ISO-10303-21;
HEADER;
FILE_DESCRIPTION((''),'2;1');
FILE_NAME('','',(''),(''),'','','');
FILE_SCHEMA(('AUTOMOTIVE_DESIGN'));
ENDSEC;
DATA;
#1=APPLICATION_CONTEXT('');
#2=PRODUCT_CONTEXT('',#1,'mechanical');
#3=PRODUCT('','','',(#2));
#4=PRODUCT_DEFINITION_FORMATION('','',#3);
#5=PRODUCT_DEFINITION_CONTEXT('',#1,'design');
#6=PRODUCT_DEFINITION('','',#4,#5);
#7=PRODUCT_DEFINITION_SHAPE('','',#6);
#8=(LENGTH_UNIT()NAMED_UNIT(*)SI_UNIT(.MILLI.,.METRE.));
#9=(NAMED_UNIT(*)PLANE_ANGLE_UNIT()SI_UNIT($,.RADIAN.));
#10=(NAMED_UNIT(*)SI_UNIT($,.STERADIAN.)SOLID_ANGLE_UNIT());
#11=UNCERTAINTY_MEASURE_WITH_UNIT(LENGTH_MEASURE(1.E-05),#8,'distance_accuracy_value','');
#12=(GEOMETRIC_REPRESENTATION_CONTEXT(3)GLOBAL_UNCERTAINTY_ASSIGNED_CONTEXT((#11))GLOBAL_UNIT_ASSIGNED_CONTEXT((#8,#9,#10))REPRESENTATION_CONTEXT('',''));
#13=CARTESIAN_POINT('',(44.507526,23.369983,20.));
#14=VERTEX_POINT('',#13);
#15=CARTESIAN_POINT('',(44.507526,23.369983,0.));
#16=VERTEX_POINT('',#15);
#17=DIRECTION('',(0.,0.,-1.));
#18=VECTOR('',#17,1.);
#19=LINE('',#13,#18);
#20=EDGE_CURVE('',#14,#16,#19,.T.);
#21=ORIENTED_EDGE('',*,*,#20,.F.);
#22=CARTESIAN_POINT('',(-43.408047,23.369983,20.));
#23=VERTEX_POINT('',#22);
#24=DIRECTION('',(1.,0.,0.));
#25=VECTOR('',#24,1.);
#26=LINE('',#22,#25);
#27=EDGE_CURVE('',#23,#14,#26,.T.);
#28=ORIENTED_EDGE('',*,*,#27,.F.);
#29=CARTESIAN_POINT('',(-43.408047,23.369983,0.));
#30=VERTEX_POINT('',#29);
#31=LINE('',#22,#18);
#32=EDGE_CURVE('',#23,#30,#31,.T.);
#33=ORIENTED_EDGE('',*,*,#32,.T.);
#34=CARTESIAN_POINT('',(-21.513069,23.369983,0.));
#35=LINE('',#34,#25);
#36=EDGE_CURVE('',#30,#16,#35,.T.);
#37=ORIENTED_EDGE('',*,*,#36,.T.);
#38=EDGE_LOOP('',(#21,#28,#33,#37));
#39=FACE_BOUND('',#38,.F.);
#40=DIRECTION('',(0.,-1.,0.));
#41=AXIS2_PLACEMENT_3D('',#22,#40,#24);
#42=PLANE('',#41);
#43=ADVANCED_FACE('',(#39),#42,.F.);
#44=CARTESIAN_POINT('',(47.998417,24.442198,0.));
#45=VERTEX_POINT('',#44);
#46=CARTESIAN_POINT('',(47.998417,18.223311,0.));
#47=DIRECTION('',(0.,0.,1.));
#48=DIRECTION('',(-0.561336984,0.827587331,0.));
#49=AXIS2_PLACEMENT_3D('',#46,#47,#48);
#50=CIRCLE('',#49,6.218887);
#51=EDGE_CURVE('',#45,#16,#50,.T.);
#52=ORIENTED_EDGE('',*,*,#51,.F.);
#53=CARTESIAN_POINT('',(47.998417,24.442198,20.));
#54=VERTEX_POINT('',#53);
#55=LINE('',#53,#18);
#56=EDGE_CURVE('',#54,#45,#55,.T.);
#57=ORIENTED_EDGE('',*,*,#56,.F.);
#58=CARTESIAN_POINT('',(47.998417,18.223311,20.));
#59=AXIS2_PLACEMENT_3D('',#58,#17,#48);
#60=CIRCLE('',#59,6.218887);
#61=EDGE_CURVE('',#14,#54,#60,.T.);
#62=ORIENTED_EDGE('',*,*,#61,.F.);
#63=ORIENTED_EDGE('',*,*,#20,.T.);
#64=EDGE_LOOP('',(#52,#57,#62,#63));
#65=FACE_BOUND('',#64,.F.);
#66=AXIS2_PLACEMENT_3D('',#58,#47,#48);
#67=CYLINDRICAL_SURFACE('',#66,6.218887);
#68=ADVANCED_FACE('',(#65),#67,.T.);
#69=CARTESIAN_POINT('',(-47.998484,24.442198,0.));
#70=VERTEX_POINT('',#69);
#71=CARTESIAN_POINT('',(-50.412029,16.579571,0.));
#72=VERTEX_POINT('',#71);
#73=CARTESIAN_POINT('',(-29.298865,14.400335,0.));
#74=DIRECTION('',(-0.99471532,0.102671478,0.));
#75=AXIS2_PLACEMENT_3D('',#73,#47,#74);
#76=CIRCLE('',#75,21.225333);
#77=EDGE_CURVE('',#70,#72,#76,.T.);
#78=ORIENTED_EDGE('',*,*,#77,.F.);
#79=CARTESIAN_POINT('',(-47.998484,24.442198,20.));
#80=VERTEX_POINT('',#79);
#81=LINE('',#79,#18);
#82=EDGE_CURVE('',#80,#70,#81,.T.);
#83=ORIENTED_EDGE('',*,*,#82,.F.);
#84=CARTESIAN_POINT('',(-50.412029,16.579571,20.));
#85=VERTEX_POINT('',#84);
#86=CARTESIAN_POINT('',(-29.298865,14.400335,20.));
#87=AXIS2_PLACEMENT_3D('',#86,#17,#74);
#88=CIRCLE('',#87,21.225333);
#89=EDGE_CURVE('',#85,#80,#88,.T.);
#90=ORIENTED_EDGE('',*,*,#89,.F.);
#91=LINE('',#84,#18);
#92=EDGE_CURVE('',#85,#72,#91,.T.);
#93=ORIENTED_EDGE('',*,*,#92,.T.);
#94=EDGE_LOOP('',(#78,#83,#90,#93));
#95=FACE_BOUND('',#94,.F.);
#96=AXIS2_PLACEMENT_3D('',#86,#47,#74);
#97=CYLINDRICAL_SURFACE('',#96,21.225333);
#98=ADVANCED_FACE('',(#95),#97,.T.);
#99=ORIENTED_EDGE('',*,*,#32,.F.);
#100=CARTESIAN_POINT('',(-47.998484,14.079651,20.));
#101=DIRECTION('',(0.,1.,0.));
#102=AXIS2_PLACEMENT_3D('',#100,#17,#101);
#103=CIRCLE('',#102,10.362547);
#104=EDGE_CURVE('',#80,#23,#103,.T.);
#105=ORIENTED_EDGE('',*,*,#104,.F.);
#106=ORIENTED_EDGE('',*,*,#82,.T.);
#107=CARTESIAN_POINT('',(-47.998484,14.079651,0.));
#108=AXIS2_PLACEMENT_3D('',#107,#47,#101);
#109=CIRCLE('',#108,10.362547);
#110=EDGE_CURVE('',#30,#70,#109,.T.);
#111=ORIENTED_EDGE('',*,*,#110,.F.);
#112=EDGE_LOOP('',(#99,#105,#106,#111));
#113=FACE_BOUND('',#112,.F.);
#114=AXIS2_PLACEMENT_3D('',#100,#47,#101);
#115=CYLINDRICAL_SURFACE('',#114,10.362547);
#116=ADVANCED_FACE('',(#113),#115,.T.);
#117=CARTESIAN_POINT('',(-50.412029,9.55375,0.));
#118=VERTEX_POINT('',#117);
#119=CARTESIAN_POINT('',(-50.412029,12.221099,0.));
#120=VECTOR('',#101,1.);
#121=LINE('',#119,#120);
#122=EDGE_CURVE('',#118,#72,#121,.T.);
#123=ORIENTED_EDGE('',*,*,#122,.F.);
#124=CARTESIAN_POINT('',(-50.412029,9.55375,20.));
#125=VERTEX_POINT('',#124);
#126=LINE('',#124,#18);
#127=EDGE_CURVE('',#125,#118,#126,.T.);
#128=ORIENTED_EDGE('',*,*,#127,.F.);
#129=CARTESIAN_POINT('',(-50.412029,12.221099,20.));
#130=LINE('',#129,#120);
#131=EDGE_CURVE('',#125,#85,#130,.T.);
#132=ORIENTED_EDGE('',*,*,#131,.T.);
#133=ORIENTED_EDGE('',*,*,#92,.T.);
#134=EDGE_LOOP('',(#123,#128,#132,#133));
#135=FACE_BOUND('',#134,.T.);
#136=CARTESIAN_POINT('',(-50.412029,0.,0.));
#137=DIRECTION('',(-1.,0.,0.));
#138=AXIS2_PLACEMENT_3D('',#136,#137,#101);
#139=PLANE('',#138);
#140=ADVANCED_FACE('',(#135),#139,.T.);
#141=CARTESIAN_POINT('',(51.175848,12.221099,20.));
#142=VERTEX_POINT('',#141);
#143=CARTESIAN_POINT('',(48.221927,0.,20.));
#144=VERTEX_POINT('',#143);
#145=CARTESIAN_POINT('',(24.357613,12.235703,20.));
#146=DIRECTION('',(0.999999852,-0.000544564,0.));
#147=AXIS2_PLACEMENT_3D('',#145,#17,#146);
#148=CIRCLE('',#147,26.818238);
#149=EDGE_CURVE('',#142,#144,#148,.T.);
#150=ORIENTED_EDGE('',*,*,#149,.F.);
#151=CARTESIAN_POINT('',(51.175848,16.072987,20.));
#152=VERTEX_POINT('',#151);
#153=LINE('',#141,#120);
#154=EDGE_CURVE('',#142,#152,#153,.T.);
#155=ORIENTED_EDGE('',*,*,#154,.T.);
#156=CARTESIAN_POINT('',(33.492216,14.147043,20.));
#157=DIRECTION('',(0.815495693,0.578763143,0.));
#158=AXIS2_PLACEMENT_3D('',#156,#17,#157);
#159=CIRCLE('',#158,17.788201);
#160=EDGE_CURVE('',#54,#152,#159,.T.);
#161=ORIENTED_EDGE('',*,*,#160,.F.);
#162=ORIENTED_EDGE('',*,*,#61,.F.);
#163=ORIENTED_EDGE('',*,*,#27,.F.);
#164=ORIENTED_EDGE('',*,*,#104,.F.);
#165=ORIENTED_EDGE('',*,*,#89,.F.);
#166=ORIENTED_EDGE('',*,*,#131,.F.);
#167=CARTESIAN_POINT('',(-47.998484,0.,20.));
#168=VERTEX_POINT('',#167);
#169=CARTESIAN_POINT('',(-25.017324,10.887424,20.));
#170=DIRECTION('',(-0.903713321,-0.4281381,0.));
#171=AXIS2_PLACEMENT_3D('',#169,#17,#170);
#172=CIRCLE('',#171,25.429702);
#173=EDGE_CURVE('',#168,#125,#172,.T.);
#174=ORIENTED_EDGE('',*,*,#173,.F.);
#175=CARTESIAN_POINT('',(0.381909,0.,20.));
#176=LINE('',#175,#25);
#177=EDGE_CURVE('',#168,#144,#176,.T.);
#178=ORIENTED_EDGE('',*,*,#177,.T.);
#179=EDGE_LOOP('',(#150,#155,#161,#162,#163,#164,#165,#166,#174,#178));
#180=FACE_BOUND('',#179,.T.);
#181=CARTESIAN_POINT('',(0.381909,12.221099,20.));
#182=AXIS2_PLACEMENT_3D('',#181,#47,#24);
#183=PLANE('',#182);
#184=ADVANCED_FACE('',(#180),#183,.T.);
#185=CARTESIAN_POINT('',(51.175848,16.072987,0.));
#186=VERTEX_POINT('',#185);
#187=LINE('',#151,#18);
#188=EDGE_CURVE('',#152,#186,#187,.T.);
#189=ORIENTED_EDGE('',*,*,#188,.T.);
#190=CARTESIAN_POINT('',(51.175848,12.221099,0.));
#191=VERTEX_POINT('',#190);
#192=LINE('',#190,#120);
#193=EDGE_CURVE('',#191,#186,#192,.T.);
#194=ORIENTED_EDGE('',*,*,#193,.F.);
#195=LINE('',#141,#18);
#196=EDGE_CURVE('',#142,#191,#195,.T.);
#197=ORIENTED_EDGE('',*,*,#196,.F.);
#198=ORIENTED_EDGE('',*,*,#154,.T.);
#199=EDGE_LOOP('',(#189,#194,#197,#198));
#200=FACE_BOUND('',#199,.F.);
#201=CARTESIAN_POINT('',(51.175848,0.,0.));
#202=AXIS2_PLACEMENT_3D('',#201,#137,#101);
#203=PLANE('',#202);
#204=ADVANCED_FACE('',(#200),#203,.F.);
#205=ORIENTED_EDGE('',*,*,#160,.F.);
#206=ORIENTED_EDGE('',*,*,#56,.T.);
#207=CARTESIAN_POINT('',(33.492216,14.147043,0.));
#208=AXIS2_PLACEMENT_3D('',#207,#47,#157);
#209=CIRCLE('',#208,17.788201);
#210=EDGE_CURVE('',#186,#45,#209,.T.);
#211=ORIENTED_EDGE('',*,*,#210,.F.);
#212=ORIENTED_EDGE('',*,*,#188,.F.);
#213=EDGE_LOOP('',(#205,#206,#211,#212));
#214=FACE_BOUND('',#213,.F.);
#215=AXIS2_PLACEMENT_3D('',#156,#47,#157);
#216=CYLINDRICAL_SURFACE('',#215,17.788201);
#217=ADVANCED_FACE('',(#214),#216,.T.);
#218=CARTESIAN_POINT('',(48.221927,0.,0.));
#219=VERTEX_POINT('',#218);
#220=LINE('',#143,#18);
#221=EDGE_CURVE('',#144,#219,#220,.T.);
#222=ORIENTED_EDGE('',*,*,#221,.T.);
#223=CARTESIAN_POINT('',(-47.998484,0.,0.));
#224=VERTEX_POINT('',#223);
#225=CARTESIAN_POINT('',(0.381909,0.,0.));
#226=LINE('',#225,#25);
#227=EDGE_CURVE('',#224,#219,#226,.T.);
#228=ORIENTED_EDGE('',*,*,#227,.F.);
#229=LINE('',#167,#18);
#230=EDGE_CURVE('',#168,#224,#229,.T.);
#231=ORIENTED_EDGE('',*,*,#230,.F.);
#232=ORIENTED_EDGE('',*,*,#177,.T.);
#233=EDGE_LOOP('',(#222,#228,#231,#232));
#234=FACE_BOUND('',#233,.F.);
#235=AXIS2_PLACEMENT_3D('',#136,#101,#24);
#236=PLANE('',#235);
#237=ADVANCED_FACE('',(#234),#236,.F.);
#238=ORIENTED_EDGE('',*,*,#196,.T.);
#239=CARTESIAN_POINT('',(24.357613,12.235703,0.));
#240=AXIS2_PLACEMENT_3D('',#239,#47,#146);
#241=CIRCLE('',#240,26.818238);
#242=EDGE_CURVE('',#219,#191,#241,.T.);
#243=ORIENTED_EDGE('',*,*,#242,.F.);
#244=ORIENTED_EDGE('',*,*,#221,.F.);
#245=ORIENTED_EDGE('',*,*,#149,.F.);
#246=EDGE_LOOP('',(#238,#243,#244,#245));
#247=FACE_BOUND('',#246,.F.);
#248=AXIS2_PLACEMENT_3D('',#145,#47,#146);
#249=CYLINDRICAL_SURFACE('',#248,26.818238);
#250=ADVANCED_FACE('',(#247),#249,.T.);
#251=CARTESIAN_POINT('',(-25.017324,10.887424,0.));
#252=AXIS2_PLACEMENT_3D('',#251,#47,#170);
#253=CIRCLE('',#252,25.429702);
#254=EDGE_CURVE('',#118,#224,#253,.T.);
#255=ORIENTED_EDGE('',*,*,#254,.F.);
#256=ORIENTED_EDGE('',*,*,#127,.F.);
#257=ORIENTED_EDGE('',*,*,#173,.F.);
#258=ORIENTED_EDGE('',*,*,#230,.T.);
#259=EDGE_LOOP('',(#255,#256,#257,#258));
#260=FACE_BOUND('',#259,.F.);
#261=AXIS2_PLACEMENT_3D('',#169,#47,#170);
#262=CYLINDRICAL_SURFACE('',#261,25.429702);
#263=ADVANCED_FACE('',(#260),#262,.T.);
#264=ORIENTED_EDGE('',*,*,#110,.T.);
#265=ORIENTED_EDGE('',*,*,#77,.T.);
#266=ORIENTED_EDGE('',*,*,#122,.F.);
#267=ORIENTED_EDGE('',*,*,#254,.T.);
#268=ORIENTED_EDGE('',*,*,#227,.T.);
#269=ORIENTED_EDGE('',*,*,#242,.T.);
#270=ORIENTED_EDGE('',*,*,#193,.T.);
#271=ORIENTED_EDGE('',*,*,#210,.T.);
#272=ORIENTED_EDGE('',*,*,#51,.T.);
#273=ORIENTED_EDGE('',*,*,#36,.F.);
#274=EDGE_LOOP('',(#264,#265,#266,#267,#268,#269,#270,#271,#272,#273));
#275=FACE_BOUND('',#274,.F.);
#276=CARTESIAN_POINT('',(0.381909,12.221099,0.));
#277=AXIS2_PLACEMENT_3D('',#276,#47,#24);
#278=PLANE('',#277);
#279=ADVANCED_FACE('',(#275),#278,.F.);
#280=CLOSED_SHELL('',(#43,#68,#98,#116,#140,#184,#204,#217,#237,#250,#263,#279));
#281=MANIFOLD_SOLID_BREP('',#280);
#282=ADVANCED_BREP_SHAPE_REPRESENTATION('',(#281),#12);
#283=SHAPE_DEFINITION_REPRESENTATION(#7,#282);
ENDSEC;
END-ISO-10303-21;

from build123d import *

# Parameters (mm, degrees)
F0_W     = 101.5878766775
F0_H     = 24.442197755
F1_DEPTH = 20
F3_DEPTH = 25
F5_DEPTH = 25


with BuildPart() as f1:
    # F0 (on Top) → F1 (new body)
    with BuildSketch(Plane.XY):
        with Locations((0.3819093108, 12.2210988775)):
            Rectangle(F0_W, F0_H)
    extrude(amount=F1_DEPTH)

    # F2 (on face) → F3 (cut)
    with BuildSketch(Plane.XY.offset(20)):
        with BuildLine():
            ThreePointArc((-50.4120290279, 16.5795714258), (-49.5897410565, 20.6289075462), (-47.9984842241, 24.442197755))
            Line((-47.9984842241, 24.442197755), (-50.4120290279, 24.442197755))
            Line((-50.4120290279, 24.442197755), (-50.4120290279, 16.5795714258))
        make_face()
        with BuildLine():
            ThreePointArc((-47.9984842241, 0), (-49.6724374157, 4.6588518495), (-50.4120290279, 9.5537496105))
            Line((-50.4120290279, 9.5537496105), (-50.4120290279, 0))
            Line((-50.4120290279, 0), (-47.9984842241, 0))
        make_face()
        with BuildLine():
            Line((51.1758476496, 24.442197755), (47.9984171689, 24.442197755))
            ThreePointArc((47.9984171689, 24.442197755), (50.12222675, 20.4607446272), (51.1758476496, 16.0729867548))
            Line((51.1758476496, 16.0729867548), (51.1758476496, 24.442197755))
        make_face()
        with BuildLine():
            Line((51.1758476496, 0), (51.1758476496, 12.2210988775))
            ThreePointArc((51.1758476496, 12.2210988775), (50.425198292, 5.9349952856), (48.2219271362, 0))
            Line((48.2219271362, 0), (51.1758476496, 0))
        make_face()
    extrude(amount=-F3_DEPTH, mode=Mode.SUBTRACT)

    # F4 (on face) → F5 (cut)
    with BuildSketch(Plane.XY.offset(20)):
        with BuildLine():
            ThreePointArc((-47.9984842241, 24.442197755), (-45.641486399, 24.1705843884), (-43.4080474079, 23.3699828386))
            Line((-43.4080474079, 23.3699828386), (44.5075258613, 23.3699828386))
            ThreePointArc((44.5075258613, 23.3699828386), (46.1724950081, 24.1681037554), (47.9984171689, 24.442197755))
            Line((47.9984171689, 24.442197755), (-47.9984842241, 24.442197755))
        make_face()
    extrude(amount=-F5_DEPTH, mode=Mode.SUBTRACT)


solid = f1.part
